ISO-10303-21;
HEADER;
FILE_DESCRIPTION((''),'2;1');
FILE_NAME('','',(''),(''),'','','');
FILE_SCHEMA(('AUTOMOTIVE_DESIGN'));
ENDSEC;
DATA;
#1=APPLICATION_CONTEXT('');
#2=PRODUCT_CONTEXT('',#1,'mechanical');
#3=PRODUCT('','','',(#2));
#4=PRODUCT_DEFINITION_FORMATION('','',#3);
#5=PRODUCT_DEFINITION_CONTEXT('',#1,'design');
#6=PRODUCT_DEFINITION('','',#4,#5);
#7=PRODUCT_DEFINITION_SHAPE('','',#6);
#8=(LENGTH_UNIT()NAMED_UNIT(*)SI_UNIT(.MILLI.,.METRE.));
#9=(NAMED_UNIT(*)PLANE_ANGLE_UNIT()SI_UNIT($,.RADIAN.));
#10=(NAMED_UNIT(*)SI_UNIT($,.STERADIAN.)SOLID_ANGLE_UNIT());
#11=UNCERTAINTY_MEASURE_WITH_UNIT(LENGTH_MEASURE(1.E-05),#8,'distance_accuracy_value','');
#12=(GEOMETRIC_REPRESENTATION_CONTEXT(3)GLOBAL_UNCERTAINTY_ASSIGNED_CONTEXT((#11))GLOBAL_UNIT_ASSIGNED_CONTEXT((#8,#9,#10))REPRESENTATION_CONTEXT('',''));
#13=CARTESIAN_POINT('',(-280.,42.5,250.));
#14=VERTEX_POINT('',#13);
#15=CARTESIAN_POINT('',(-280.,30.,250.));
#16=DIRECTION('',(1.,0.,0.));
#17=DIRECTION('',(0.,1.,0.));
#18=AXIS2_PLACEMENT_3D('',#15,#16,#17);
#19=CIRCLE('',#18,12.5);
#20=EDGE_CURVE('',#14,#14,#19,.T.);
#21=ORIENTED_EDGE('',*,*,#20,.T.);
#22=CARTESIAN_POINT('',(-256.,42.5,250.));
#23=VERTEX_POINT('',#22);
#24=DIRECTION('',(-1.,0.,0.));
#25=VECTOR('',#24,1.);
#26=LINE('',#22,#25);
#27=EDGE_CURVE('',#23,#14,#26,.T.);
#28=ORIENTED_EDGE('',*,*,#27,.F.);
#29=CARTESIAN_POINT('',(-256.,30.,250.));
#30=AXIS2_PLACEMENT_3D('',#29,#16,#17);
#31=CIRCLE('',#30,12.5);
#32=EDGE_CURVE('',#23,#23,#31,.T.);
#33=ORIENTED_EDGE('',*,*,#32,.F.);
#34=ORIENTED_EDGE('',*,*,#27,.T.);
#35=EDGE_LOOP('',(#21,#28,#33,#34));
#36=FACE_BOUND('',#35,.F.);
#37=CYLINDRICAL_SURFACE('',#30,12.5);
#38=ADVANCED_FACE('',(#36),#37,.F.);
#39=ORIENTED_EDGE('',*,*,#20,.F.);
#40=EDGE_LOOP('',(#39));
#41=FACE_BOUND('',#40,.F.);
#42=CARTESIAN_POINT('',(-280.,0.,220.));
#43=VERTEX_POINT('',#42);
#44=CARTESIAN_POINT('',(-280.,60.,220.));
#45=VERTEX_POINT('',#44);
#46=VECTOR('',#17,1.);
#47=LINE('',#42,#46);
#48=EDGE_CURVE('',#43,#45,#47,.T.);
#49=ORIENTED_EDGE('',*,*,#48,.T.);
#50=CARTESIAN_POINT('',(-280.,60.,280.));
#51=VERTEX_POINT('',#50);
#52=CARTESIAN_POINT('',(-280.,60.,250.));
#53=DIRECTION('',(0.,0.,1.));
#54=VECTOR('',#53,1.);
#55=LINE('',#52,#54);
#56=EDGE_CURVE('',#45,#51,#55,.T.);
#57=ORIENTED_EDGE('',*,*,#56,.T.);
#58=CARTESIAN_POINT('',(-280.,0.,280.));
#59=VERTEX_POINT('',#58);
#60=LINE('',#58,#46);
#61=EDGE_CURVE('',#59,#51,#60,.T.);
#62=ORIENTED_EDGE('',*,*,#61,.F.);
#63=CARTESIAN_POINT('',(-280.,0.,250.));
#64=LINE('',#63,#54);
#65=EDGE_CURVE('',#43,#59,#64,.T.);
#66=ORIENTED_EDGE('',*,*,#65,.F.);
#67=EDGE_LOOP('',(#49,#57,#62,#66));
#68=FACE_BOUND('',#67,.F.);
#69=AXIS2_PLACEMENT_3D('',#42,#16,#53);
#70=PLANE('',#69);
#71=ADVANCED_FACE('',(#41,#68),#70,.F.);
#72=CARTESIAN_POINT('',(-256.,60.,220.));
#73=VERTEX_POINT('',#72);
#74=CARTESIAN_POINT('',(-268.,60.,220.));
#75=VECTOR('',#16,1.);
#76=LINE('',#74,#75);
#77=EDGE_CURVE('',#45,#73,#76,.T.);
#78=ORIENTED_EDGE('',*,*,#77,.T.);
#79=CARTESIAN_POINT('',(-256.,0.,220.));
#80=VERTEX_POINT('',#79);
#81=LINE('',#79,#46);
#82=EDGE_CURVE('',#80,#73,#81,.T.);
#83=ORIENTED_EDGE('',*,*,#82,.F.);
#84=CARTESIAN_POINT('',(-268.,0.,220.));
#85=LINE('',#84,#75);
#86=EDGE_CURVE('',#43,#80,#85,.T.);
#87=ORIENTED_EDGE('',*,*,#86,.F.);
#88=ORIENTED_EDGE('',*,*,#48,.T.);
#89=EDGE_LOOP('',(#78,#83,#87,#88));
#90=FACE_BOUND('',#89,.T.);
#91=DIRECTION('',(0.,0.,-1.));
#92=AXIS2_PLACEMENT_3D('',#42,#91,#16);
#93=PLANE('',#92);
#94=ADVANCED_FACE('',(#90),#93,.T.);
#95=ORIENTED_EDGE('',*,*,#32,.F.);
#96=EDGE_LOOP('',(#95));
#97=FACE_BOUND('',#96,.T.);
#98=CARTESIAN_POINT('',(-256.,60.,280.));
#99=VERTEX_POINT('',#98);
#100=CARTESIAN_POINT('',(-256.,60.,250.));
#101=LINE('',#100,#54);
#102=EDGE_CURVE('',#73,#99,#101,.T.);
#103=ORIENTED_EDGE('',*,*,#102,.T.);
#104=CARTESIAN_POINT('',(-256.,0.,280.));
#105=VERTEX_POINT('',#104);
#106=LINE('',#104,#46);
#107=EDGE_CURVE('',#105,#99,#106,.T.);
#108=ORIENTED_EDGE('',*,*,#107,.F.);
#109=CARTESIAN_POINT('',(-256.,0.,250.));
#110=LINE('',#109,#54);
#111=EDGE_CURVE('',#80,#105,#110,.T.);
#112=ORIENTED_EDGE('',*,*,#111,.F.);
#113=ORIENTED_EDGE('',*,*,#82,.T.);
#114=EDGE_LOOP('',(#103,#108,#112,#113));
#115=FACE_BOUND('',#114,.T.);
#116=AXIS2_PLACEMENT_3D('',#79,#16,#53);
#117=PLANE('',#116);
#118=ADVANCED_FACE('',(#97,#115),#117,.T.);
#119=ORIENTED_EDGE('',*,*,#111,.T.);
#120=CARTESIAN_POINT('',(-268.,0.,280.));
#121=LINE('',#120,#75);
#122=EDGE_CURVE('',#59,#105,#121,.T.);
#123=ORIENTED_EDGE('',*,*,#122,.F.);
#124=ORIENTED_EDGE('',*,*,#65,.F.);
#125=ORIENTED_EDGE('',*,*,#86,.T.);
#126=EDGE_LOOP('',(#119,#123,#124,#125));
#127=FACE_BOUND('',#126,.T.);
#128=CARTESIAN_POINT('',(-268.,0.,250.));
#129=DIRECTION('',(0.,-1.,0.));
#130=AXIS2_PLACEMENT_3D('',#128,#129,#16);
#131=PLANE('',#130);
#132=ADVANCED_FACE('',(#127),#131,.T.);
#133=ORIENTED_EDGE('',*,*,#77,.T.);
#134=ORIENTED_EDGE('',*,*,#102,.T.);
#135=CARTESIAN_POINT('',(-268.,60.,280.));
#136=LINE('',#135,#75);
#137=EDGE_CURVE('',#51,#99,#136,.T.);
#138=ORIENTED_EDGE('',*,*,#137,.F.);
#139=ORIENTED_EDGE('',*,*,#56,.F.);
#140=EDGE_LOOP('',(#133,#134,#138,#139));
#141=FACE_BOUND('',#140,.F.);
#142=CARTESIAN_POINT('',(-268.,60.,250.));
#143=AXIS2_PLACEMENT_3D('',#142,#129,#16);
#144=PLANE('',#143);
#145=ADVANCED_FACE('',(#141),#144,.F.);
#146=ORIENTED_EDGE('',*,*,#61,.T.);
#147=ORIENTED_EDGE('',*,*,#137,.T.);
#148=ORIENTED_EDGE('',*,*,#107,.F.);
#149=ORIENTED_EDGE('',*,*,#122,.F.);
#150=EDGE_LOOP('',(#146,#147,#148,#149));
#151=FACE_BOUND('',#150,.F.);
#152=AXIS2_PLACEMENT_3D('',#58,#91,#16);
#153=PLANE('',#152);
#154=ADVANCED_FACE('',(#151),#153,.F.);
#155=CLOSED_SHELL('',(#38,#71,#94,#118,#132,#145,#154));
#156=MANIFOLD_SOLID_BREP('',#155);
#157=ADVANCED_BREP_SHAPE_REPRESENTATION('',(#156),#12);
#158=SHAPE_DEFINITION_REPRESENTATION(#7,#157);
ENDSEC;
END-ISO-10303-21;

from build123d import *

# Parameters (mm, degrees)
F0_W     = 24
F0_H     = 60
F1_DEPTH = 60
F2_R     = 12.5
F3_DEPTH = 25


with BuildPart() as f1:
    # F0 (on Front) → F1 (new body)
    with BuildSketch(Plane.XZ):
        with Locations((-268, 250)):
            Rectangle(F0_W, F0_H)
    extrude(amount=-F1_DEPTH)

    # F2 (on face) → F3 (cut)
    with BuildSketch(Plane.YZ.offset(-256)):
        with Locations((30, 250)):
            Circle(F2_R)
    extrude(amount=-F3_DEPTH, mode=Mode.SUBTRACT)


solid = f1.part
